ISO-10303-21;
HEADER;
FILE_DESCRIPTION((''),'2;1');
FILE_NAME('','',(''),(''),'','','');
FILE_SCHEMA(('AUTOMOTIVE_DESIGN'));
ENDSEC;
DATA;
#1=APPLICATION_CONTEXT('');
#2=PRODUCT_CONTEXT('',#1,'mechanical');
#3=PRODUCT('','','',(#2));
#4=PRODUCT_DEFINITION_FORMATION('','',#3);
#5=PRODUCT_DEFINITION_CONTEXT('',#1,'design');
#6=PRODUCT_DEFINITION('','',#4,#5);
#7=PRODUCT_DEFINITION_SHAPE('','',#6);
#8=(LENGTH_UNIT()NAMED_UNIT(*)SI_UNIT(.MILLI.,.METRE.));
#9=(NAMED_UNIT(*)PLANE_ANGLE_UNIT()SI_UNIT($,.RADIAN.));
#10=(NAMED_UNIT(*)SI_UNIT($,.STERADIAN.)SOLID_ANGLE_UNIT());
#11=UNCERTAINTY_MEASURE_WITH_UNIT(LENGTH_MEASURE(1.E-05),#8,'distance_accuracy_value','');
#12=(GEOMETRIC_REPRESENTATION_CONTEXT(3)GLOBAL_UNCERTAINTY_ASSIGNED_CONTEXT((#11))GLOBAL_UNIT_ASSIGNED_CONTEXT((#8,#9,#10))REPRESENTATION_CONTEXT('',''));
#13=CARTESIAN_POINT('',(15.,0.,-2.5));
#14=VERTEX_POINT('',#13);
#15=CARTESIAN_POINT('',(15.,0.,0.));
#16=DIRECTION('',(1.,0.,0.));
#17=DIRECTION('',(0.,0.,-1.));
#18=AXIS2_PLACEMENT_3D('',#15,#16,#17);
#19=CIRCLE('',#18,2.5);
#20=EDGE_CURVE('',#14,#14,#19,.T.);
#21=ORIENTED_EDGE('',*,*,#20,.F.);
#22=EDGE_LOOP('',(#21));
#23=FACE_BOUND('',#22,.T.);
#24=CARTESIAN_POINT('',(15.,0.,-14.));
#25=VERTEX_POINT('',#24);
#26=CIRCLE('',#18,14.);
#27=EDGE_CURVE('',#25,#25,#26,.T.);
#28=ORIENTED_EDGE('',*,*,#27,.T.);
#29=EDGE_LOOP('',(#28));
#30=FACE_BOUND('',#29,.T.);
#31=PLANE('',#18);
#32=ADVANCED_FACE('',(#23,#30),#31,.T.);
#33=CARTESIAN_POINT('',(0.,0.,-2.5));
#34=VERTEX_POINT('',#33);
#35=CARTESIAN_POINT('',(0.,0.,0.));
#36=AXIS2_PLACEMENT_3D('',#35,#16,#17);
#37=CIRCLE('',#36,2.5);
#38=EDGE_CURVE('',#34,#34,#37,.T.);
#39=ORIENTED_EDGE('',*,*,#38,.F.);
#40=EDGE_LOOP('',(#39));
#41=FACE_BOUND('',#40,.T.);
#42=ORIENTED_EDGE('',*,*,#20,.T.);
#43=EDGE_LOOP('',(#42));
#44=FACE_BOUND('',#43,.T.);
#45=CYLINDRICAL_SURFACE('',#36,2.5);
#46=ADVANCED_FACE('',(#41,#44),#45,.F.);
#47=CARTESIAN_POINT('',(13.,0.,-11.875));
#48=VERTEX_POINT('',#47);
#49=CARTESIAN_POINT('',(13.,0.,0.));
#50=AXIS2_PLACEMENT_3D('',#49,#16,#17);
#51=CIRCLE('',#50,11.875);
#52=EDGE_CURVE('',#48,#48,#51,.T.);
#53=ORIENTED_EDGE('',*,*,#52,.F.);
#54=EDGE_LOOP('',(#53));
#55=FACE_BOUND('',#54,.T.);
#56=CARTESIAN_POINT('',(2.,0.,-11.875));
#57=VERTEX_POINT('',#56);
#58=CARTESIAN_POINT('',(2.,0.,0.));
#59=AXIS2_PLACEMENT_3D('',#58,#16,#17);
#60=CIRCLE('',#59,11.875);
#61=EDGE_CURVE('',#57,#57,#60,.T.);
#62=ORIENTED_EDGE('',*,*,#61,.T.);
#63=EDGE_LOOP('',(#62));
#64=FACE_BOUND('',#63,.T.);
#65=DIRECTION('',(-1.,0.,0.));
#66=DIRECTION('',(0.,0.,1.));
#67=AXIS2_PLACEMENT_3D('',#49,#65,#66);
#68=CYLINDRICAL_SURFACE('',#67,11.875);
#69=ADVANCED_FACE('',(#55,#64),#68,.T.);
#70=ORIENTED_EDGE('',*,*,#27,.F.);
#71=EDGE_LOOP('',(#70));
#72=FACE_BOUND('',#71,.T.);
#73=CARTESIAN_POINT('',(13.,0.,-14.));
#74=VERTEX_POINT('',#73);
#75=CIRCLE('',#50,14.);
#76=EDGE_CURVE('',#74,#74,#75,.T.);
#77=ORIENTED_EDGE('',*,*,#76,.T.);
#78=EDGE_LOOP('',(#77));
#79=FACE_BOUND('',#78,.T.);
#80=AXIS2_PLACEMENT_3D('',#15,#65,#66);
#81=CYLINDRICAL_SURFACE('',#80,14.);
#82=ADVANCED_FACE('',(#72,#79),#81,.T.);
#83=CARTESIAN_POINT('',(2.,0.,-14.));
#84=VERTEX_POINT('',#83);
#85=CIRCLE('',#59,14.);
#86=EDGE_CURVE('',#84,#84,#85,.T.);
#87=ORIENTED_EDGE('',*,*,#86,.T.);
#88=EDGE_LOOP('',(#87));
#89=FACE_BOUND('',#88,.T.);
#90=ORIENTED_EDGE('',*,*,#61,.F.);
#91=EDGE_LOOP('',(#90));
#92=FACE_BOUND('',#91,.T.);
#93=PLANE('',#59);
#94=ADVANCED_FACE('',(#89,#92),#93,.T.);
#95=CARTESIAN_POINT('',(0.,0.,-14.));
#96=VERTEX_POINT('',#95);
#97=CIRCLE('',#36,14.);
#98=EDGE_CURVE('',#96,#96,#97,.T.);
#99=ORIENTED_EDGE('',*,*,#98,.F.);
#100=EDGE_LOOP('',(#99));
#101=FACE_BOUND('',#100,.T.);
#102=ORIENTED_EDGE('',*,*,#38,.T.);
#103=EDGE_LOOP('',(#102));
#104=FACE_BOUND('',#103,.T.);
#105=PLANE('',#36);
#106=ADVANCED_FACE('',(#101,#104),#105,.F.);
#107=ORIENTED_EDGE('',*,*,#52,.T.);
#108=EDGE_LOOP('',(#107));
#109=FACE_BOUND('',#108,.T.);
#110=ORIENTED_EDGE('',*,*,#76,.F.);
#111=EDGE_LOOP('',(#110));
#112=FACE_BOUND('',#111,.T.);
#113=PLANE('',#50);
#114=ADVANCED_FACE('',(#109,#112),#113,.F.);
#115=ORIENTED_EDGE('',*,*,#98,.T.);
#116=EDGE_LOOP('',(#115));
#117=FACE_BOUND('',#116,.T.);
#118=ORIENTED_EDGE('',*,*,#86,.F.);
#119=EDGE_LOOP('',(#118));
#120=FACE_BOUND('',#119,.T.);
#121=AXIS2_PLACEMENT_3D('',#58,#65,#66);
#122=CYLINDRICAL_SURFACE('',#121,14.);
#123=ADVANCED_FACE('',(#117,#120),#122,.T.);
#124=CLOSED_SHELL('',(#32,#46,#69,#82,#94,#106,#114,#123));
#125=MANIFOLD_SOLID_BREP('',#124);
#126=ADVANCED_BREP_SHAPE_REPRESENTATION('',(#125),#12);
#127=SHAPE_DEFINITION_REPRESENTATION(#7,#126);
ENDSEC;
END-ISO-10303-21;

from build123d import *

# Parameters (mm, degrees)
SKETCH1_R           = 14
BOSS_EXTRUDE1_DEPTH = 2
SKETCH2_R           = 11.875
BOSS_EXTRUDE2_DEPTH = 11
SKETCH3_R           = 14
BOSS_EXTRUDE3_DEPTH = 2
SKETCH4_R           = 2.5
CUT_EXTRUDE1_DEPTH  = 25.839484697


with BuildPart() as part:
    # Sketch1 → Boss-Extrude1 (new body)
    with BuildSketch(Plane(origin=(0, 0, 0), x_dir=(0, 0, -1), z_dir=(1, 0, 0))):
        Circle(SKETCH1_R)
    extrude(amount=BOSS_EXTRUDE1_DEPTH)

    # Sketch2 → Boss-Extrude2 (add)
    with BuildSketch(Plane(origin=(2, 0, 0), x_dir=(0, 0, -1), z_dir=(1, 0, 0))):
        Circle(SKETCH2_R)
    extrude(amount=BOSS_EXTRUDE2_DEPTH)

    # Sketch3 → Boss-Extrude3 (add)
    with BuildSketch(Plane(origin=(13, 0, 0), x_dir=(0, 0, -1), z_dir=(1, 0, 0))):
        Circle(SKETCH3_R)
    extrude(amount=BOSS_EXTRUDE3_DEPTH)

    # Sketch4 → Cut-Extrude1 (cut, through all)
    with BuildSketch(Plane(origin=(15, 0, 0), x_dir=(0, 0, -1), z_dir=(1, 0, 0))):
        Circle(SKETCH4_R)
    extrude(amount=-CUT_EXTRUDE1_DEPTH, mode=Mode.SUBTRACT)


solid = part.part
